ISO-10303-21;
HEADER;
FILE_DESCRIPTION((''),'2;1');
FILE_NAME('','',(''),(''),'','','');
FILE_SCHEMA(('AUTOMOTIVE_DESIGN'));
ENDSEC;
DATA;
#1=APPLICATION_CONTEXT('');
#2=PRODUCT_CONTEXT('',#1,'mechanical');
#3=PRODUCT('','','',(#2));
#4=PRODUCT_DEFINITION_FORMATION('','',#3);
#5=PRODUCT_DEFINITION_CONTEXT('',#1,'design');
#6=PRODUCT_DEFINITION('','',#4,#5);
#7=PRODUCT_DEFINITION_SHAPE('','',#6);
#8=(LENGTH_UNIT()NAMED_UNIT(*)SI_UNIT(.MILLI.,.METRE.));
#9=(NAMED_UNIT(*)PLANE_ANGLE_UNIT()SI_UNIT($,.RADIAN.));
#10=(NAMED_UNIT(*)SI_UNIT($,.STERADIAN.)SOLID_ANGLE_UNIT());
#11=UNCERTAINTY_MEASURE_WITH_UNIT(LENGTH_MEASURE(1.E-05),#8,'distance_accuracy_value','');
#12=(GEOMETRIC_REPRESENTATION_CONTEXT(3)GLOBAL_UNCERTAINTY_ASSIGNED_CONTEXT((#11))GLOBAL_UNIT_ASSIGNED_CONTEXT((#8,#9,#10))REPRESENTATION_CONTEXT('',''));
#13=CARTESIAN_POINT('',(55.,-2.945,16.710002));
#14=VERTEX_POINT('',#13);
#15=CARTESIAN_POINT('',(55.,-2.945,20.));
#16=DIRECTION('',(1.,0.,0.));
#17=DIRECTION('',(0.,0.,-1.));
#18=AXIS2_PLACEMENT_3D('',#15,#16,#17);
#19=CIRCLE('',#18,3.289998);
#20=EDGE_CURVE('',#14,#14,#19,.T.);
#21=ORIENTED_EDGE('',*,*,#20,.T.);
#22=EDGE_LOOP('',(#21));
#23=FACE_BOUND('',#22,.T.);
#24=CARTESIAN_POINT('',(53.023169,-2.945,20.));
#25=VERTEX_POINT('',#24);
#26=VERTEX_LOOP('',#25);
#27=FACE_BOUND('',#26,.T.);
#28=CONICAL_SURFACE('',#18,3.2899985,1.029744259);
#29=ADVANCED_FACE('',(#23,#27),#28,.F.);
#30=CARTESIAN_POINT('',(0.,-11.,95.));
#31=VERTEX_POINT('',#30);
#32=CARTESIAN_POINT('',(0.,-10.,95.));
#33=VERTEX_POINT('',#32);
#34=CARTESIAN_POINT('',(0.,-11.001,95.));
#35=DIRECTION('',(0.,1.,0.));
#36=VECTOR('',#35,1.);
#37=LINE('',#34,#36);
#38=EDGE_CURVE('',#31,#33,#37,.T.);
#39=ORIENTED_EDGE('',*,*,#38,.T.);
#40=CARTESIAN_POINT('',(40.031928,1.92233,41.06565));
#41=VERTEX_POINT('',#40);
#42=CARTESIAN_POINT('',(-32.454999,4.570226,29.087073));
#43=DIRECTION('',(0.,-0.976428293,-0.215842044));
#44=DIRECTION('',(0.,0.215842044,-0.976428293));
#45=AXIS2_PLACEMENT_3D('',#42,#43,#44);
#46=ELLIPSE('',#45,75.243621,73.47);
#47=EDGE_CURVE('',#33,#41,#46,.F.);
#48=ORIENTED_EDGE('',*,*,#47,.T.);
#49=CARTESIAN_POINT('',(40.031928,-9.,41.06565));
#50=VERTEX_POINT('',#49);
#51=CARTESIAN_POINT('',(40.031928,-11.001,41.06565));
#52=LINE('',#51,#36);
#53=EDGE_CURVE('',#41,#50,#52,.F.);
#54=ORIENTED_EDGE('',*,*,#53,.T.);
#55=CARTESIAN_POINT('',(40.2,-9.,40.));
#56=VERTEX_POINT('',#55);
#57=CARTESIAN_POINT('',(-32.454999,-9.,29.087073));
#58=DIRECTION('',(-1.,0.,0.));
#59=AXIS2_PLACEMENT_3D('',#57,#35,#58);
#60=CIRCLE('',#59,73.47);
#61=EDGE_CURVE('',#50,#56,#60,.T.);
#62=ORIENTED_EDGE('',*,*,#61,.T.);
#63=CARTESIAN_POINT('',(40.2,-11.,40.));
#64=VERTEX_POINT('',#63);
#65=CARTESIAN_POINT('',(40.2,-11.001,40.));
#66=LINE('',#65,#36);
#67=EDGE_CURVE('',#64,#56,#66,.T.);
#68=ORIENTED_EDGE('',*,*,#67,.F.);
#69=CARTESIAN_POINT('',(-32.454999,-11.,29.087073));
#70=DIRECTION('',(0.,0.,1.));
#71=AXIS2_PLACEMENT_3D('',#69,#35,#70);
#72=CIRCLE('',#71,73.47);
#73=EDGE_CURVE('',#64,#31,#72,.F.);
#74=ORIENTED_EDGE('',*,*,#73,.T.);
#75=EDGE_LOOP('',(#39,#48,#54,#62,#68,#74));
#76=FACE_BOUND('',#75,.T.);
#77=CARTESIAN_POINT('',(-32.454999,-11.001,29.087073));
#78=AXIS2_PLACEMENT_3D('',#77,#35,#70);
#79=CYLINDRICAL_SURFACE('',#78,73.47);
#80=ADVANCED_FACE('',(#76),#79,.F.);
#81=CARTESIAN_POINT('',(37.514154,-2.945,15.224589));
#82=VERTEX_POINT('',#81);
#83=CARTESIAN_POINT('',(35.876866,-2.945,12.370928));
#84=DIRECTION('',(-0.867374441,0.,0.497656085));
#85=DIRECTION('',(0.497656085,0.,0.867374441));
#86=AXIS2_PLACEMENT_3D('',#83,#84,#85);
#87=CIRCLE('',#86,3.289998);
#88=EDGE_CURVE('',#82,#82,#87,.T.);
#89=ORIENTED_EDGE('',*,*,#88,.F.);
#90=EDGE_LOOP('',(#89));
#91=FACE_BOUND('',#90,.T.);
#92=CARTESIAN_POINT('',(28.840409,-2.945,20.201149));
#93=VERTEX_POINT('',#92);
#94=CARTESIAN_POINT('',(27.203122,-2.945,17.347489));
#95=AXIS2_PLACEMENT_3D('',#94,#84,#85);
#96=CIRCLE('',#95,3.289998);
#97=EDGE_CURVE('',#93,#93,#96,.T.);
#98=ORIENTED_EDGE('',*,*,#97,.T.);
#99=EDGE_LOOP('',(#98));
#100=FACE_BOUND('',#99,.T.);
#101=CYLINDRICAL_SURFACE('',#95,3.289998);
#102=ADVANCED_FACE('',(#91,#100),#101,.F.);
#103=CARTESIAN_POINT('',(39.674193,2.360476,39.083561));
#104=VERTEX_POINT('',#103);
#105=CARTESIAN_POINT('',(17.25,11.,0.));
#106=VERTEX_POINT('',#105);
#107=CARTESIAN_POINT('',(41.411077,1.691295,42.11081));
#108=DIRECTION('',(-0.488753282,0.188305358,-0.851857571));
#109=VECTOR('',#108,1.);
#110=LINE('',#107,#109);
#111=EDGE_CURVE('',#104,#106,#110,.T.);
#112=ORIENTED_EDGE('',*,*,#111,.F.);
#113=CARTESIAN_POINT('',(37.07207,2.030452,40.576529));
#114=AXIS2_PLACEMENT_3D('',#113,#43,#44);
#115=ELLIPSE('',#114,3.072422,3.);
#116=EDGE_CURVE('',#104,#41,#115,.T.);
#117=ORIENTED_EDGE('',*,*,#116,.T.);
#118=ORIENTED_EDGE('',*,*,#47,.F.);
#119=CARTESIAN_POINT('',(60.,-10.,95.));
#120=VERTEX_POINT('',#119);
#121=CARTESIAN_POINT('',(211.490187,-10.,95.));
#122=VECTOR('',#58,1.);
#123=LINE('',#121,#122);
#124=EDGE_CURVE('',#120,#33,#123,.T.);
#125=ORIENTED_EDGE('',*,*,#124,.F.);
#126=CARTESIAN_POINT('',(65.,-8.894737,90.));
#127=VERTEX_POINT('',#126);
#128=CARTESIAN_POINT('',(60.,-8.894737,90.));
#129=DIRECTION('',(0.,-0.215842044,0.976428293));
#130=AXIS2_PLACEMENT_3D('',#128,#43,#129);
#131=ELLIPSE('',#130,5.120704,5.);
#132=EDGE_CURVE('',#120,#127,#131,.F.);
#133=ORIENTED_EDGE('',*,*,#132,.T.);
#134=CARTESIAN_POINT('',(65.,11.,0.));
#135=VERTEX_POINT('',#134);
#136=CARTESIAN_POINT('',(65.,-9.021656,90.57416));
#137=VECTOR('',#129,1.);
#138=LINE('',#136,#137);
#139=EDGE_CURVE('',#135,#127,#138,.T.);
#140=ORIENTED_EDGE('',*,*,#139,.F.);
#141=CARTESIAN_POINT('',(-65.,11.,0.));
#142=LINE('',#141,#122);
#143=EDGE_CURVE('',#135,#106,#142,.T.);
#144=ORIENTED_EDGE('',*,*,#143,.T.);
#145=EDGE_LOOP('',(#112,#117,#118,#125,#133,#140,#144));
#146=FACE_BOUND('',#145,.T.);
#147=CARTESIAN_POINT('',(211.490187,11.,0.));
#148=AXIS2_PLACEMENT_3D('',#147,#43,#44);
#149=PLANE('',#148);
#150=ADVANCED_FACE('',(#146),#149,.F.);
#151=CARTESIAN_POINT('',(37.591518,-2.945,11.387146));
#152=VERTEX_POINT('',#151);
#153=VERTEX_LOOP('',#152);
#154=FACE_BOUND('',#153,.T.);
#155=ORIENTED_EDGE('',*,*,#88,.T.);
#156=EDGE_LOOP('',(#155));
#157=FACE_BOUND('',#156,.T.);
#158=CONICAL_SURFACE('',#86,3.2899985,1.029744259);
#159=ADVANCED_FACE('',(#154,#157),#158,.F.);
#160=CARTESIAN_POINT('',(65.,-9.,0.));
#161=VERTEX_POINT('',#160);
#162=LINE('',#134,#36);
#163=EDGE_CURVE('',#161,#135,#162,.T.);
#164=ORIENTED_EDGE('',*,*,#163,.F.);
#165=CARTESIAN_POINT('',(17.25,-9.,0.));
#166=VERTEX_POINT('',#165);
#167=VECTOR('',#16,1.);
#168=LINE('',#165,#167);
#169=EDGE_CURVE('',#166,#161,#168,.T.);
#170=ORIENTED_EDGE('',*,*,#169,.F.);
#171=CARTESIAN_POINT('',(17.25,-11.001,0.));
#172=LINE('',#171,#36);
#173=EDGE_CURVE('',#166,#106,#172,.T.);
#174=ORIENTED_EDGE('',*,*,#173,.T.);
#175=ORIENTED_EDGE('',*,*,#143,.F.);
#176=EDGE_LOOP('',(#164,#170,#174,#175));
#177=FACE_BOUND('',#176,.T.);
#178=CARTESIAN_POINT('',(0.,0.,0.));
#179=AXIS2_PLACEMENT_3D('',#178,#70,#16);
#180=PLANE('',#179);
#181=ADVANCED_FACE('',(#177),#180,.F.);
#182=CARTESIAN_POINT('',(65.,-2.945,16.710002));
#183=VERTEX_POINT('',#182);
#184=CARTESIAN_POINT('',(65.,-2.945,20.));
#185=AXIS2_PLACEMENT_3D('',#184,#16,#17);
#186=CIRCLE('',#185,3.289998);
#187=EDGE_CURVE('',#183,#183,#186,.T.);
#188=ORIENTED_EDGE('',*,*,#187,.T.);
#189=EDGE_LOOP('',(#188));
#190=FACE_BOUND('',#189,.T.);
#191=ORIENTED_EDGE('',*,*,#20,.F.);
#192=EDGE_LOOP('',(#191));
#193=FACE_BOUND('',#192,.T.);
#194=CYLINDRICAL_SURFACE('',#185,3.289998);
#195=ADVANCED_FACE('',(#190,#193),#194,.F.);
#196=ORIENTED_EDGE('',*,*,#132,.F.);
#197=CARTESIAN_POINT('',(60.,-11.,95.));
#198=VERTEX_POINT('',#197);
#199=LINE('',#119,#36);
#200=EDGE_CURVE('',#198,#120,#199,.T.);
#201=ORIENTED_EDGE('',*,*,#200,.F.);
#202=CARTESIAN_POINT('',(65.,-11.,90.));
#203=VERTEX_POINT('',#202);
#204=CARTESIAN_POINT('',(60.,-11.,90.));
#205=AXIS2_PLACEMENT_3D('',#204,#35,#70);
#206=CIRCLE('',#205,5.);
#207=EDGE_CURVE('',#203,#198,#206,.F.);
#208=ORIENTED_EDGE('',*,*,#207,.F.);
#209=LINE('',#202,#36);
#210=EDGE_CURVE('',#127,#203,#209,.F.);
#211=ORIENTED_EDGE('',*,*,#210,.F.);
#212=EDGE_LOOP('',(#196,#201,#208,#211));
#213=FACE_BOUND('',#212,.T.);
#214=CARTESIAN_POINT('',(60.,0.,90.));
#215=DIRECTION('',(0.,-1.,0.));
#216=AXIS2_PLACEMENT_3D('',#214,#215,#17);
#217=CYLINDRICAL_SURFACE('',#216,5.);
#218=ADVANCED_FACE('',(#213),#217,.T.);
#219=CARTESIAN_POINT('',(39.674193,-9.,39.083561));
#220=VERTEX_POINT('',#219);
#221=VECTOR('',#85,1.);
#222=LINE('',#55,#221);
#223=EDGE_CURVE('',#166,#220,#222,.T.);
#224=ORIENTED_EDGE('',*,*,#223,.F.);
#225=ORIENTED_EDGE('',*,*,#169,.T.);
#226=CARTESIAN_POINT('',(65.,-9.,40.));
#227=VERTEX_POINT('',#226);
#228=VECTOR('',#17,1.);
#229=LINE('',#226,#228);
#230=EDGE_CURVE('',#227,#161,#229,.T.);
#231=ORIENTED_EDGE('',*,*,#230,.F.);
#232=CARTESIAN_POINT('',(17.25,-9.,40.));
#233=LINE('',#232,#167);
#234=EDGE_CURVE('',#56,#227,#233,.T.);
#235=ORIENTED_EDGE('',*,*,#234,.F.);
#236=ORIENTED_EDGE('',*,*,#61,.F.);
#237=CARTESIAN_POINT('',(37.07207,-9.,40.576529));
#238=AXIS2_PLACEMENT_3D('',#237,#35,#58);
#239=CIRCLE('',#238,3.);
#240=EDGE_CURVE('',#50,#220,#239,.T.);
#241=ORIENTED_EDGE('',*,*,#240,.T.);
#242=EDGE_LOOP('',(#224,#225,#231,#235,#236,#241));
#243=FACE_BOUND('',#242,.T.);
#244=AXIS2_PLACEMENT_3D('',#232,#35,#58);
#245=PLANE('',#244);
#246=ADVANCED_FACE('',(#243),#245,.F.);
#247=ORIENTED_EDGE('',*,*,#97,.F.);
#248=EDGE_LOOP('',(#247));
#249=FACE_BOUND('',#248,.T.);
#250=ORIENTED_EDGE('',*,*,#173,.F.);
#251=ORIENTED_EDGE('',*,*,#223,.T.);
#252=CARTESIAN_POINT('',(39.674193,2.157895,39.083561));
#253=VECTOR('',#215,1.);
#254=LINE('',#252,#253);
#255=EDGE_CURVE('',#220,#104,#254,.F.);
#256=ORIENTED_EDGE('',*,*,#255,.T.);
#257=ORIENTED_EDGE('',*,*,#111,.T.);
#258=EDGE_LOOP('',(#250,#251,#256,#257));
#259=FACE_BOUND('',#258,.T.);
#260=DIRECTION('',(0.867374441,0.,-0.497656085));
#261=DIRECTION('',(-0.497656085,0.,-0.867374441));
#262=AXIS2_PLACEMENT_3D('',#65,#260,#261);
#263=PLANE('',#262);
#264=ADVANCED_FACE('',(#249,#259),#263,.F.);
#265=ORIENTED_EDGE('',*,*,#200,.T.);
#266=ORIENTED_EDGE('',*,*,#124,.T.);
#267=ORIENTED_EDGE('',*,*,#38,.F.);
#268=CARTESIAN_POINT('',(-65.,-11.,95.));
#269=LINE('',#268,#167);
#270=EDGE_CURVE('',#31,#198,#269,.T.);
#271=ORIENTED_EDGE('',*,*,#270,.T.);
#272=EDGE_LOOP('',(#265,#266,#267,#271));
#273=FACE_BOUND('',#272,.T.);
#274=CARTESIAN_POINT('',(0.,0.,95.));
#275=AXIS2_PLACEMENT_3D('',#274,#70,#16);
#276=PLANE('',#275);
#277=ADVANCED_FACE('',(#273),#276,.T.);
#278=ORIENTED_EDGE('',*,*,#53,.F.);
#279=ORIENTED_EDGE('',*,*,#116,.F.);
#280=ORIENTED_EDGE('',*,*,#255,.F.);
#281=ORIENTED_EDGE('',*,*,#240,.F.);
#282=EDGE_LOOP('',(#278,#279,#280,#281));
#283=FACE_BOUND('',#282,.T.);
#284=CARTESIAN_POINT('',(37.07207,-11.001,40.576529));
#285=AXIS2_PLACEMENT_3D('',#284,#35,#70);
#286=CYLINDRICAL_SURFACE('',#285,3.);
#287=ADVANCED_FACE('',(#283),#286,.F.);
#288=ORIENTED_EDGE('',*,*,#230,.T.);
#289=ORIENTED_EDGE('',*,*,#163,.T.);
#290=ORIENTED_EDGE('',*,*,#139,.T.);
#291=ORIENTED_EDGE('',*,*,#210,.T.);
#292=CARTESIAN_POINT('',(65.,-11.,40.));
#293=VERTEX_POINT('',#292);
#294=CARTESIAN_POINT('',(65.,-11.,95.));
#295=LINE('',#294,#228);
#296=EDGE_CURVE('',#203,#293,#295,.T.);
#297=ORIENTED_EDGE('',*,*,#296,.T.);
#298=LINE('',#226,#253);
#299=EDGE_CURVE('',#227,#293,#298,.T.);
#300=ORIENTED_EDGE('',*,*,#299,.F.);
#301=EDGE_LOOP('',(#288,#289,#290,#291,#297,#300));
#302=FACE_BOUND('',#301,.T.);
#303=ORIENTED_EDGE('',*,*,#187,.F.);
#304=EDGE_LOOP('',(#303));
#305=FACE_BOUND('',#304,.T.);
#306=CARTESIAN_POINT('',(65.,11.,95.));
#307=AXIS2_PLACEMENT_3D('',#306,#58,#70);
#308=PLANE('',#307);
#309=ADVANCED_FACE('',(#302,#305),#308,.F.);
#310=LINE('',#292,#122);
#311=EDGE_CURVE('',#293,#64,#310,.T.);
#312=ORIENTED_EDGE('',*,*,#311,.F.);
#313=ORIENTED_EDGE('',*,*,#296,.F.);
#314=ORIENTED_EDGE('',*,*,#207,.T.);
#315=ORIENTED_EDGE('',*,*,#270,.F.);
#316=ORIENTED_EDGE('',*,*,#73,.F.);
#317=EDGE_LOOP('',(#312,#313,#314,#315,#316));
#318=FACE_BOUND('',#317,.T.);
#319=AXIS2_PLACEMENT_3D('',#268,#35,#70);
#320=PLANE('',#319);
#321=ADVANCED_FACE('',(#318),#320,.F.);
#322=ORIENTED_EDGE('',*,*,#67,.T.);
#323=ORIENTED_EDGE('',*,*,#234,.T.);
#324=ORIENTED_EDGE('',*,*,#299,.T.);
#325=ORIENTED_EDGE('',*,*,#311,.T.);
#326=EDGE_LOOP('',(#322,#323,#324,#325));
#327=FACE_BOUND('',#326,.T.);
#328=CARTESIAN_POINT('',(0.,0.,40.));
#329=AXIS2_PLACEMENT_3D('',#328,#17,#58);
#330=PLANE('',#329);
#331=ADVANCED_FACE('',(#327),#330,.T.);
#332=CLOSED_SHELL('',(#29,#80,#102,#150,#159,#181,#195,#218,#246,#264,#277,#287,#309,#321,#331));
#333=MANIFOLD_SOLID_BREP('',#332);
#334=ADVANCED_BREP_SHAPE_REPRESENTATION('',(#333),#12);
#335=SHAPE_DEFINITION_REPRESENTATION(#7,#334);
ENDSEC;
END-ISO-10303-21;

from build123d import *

# Parameters (mm, degrees)
ESBO_O1_W                                      = 130
ESBO_O1_H                                      = 22
RESSALTO_EXTRUS_O1_DEPTH                       = 95
CORTE_EXTRUS_O2_REACH                          = 24
CORTE_EXTRUS_O3_DEPTH                          = 1
CORTE_EXTRUS_O3_DEPTH_BACK                     = 66
BROCA_DE_ROSQUEAR_DE_CANO_PARA_TARRAXA_D_D     = 6.579997
BROCA_DE_ROSQUEAR_DE_CANO_PARA_TARRAXA_D_DEPTH = 10
BROCA_DE_ROSQUEAR_DE_CANO_PARA_TARRAXA_D_TIP   = 1.976830535
BROCA_DE_ROSQUEAR_DE_CANO_PARA_TARRA_2_D       = 6.579997
BROCA_DE_ROSQUEAR_DE_CANO_PARA_TARRA_2_DEPTH   = 10
BROCA_DE_ROSQUEAR_DE_CANO_PARA_TARRA_2_TIP     = 1.976830535
FILETE2_R                                      = 5
ESBO_O16_W                                     = 47.75
ESBO_O16_H                                     = 2
CORTE_EXTRUS_O6_DEPTH                          = 40
FILETE3_R                                      = 3


with BuildPart() as part:
    # Esboço1 → Ressalto-extrusão1 (new body)
    with BuildSketch(Plane.XY):
        Rectangle(ESBO_O1_W, ESBO_O1_H)
    extrude(amount=RESSALTO_EXTRUS_O1_DEPTH)

    # Esboço2 → Corte-extrusão2 (cut, up to next)
    with BuildSketch(Plane(origin=(0, 11, 0), x_dir=(1, 0, 0), z_dir=(0, 1, 0)), mode=Mode.PRIVATE) as corte_extrus_o2_sk1:
        with BuildLine():
            Line((17.25, 0), (-65, 0))
            Line((-65, 0), (-65, -95))
            Line((-65, -95), (0, -95))
            ThreePointArc((0, -95), (26.860074256, -72.440999729), (40.2, -40))
            Line((40.2, -40), (17.25, 0))
        make_face()
    corte_extrus_o2_tool1 = extrude(corte_extrus_o2_sk1.sketch, amount=-CORTE_EXTRUS_O2_REACH, mode=Mode.PRIVATE) & part.part
    add(corte_extrus_o2_tool1.solids().sort_by_distance((-18.119573, 11, 46.581056))[0], mode=Mode.SUBTRACT)

    # Esboço3 → Corte-extrusão3 (cut, two sides)
    with BuildSketch(Plane(origin=(65, 0, 0), x_dir=(0, 0, -1), z_dir=(1, 0, 0))) as corte_extrus_o3_sk:
        Polygon((200.195338438, 55.253706392), (0, 11), (-95, -10), (-295.195338438, -54.253706392), (-383.702751221, 346.136970485), (111.687925655, 455.644383268), align=None)
    extrude(amount=CORTE_EXTRUS_O3_DEPTH, mode=Mode.SUBTRACT)
    extrude(corte_extrus_o3_sk.sketch, amount=-CORTE_EXTRUS_O3_DEPTH_BACK, mode=Mode.SUBTRACT)

    # Broca de rosquear de cano para tarraxa d
    with Locations(Plane(origin=(65, 0, 0), x_dir=(0, 0, -1), z_dir=(1, 0, 0))):
        with Locations((-20, -2.945)):
            Hole(BROCA_DE_ROSQUEAR_DE_CANO_PARA_TARRAXA_D_D / 2, depth=BROCA_DE_ROSQUEAR_DE_CANO_PARA_TARRAXA_D_DEPTH)
            with Locations((0, 0, -(BROCA_DE_ROSQUEAR_DE_CANO_PARA_TARRAXA_D_DEPTH + BROCA_DE_ROSQUEAR_DE_CANO_PARA_TARRAXA_D_TIP / 2))):  # 118° drill point
                Cone(0, BROCA_DE_ROSQUEAR_DE_CANO_PARA_TARRAXA_D_D / 2, BROCA_DE_ROSQUEAR_DE_CANO_PARA_TARRAXA_D_TIP, mode=Mode.SUBTRACT)

    # Broca de rosquear de cano para tarra 2
    with Locations(Plane(origin=(12.977837756, 0, -7.446034412), x_dir=(0.497656085, 0, 0.867374441), z_dir=(-0.867374441, 0, 0.497656085))):
        with Locations((28.584567474, -2.945)):
            Hole(BROCA_DE_ROSQUEAR_DE_CANO_PARA_TARRA_2_D / 2, depth=BROCA_DE_ROSQUEAR_DE_CANO_PARA_TARRA_2_DEPTH)
            with Locations((0, 0, -(BROCA_DE_ROSQUEAR_DE_CANO_PARA_TARRA_2_DEPTH + BROCA_DE_ROSQUEAR_DE_CANO_PARA_TARRA_2_TIP / 2))):  # 118° drill point
                Cone(0, BROCA_DE_ROSQUEAR_DE_CANO_PARA_TARRA_2_D / 2, BROCA_DE_ROSQUEAR_DE_CANO_PARA_TARRA_2_TIP, mode=Mode.SUBTRACT)

    # Filete2
    filete2_edges = [part.edges().sort_by_distance(p)[0] for p in [
        (65, -10.5, 95),
    ]]
    fillet(filete2_edges, radius=FILETE2_R)

    # Esboço16 → Corte-extrusão6 (cut)
    with BuildSketch(Plane(origin=(0, 0, 0), x_dir=(-1, 0, 0), z_dir=(0, 0, -1))):
        with Locations((-41.125, -10)):
            Rectangle(ESBO_O16_W, ESBO_O16_H)
    extrude(amount=-CORTE_EXTRUS_O6_DEPTH, mode=Mode.SUBTRACT)

    # Filete3
    filete3_edges = [part.edges().sort_by_distance(p)[0] for p in [
        (40.2, -3.421052632, 40),
    ]]
    fillet(filete3_edges, radius=FILETE3_R)


solid = part.part
